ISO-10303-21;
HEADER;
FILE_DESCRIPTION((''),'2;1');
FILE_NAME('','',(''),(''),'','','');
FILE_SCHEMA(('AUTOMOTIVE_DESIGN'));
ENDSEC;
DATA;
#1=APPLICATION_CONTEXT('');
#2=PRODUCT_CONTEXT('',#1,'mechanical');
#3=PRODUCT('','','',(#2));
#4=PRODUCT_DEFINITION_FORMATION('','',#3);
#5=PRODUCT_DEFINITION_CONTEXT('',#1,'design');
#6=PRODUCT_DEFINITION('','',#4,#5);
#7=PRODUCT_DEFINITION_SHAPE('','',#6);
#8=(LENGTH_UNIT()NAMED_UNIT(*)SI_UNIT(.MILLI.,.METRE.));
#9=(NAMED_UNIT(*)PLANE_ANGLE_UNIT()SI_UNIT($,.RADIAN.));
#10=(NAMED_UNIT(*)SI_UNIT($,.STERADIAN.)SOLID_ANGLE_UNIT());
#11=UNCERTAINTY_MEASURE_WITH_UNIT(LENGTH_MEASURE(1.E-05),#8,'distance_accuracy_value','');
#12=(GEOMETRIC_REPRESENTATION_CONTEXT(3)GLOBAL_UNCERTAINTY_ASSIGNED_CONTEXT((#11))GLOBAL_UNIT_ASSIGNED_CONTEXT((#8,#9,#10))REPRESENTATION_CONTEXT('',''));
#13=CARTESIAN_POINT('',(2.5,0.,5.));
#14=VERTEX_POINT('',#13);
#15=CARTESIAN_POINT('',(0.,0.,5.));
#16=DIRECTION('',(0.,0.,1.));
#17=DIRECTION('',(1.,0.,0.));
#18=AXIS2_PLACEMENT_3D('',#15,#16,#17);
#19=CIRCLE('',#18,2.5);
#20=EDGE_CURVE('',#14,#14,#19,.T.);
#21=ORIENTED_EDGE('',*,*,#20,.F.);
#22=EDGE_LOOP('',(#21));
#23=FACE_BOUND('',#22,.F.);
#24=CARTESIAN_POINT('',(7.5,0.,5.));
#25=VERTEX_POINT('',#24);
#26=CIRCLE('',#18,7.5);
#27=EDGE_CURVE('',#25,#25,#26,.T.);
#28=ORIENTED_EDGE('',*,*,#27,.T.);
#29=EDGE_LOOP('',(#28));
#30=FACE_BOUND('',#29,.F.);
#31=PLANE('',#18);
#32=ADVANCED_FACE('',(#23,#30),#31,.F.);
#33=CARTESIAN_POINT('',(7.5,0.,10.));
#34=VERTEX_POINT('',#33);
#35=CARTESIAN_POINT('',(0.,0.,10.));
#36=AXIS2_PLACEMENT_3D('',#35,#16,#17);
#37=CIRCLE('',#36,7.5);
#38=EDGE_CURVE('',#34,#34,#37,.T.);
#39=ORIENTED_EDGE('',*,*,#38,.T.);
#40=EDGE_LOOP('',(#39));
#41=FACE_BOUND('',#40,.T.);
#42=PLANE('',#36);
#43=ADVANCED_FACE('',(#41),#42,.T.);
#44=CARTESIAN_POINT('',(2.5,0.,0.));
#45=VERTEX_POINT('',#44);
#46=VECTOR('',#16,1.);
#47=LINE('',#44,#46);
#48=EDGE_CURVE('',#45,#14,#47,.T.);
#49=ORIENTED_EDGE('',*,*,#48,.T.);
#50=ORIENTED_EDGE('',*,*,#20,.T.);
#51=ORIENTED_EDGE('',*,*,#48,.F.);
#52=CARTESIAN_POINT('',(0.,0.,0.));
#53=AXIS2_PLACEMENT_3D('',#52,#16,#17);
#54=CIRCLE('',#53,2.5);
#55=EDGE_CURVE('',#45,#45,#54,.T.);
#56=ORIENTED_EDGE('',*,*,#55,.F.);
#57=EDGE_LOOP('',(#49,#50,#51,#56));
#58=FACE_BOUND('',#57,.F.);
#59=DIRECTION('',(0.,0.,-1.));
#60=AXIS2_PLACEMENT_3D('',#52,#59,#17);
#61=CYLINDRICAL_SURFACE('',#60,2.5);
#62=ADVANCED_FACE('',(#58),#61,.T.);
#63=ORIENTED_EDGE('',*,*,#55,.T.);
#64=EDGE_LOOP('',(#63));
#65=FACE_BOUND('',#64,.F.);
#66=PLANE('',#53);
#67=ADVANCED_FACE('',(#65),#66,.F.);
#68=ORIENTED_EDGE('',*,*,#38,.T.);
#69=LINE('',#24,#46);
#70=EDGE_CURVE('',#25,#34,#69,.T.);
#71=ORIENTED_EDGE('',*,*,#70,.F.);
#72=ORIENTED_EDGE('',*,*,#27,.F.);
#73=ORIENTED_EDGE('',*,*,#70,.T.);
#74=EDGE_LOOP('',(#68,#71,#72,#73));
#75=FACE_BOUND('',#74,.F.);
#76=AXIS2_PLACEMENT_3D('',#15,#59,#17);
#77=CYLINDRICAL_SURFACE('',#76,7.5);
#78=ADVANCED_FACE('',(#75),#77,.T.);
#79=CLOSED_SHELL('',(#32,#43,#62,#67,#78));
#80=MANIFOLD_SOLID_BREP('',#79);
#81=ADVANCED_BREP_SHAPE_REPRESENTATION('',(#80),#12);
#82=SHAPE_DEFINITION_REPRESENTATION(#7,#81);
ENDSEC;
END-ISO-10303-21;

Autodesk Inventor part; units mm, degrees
ref_plane "YZ Plane" through (0, 0, 0) normal (1, 0, 0) x (0, 1, 0)
ref_plane "XZ Plane" through (0, 0, 0) normal (0, 1, 0) x (-1, 0, 0)
ref_plane "XY Plane" through (0, 0, 0) normal (0, 0, 1) x (1, 0, 0)
sketch "Sketch1" plane through (0, 0, 0) normal (0, 0, 1) x (1, 0, 0)
  circle A0 centre (0, 0) radius 2.5
  dimension "d0" = 5
extrude "Extrusion1" add sketch "Sketch1" along normal blind 5
sketch "Sketch2" plane through (0, 0, 5) normal (0, 0, 1) x (1, 0, 0)
  circle A0 centre (0, 0) radius 7.5
  dimension "d3" = 15
extrude "Extrusion2" add sketch "Sketch2" along normal blind 5
properties part number "Plug"
